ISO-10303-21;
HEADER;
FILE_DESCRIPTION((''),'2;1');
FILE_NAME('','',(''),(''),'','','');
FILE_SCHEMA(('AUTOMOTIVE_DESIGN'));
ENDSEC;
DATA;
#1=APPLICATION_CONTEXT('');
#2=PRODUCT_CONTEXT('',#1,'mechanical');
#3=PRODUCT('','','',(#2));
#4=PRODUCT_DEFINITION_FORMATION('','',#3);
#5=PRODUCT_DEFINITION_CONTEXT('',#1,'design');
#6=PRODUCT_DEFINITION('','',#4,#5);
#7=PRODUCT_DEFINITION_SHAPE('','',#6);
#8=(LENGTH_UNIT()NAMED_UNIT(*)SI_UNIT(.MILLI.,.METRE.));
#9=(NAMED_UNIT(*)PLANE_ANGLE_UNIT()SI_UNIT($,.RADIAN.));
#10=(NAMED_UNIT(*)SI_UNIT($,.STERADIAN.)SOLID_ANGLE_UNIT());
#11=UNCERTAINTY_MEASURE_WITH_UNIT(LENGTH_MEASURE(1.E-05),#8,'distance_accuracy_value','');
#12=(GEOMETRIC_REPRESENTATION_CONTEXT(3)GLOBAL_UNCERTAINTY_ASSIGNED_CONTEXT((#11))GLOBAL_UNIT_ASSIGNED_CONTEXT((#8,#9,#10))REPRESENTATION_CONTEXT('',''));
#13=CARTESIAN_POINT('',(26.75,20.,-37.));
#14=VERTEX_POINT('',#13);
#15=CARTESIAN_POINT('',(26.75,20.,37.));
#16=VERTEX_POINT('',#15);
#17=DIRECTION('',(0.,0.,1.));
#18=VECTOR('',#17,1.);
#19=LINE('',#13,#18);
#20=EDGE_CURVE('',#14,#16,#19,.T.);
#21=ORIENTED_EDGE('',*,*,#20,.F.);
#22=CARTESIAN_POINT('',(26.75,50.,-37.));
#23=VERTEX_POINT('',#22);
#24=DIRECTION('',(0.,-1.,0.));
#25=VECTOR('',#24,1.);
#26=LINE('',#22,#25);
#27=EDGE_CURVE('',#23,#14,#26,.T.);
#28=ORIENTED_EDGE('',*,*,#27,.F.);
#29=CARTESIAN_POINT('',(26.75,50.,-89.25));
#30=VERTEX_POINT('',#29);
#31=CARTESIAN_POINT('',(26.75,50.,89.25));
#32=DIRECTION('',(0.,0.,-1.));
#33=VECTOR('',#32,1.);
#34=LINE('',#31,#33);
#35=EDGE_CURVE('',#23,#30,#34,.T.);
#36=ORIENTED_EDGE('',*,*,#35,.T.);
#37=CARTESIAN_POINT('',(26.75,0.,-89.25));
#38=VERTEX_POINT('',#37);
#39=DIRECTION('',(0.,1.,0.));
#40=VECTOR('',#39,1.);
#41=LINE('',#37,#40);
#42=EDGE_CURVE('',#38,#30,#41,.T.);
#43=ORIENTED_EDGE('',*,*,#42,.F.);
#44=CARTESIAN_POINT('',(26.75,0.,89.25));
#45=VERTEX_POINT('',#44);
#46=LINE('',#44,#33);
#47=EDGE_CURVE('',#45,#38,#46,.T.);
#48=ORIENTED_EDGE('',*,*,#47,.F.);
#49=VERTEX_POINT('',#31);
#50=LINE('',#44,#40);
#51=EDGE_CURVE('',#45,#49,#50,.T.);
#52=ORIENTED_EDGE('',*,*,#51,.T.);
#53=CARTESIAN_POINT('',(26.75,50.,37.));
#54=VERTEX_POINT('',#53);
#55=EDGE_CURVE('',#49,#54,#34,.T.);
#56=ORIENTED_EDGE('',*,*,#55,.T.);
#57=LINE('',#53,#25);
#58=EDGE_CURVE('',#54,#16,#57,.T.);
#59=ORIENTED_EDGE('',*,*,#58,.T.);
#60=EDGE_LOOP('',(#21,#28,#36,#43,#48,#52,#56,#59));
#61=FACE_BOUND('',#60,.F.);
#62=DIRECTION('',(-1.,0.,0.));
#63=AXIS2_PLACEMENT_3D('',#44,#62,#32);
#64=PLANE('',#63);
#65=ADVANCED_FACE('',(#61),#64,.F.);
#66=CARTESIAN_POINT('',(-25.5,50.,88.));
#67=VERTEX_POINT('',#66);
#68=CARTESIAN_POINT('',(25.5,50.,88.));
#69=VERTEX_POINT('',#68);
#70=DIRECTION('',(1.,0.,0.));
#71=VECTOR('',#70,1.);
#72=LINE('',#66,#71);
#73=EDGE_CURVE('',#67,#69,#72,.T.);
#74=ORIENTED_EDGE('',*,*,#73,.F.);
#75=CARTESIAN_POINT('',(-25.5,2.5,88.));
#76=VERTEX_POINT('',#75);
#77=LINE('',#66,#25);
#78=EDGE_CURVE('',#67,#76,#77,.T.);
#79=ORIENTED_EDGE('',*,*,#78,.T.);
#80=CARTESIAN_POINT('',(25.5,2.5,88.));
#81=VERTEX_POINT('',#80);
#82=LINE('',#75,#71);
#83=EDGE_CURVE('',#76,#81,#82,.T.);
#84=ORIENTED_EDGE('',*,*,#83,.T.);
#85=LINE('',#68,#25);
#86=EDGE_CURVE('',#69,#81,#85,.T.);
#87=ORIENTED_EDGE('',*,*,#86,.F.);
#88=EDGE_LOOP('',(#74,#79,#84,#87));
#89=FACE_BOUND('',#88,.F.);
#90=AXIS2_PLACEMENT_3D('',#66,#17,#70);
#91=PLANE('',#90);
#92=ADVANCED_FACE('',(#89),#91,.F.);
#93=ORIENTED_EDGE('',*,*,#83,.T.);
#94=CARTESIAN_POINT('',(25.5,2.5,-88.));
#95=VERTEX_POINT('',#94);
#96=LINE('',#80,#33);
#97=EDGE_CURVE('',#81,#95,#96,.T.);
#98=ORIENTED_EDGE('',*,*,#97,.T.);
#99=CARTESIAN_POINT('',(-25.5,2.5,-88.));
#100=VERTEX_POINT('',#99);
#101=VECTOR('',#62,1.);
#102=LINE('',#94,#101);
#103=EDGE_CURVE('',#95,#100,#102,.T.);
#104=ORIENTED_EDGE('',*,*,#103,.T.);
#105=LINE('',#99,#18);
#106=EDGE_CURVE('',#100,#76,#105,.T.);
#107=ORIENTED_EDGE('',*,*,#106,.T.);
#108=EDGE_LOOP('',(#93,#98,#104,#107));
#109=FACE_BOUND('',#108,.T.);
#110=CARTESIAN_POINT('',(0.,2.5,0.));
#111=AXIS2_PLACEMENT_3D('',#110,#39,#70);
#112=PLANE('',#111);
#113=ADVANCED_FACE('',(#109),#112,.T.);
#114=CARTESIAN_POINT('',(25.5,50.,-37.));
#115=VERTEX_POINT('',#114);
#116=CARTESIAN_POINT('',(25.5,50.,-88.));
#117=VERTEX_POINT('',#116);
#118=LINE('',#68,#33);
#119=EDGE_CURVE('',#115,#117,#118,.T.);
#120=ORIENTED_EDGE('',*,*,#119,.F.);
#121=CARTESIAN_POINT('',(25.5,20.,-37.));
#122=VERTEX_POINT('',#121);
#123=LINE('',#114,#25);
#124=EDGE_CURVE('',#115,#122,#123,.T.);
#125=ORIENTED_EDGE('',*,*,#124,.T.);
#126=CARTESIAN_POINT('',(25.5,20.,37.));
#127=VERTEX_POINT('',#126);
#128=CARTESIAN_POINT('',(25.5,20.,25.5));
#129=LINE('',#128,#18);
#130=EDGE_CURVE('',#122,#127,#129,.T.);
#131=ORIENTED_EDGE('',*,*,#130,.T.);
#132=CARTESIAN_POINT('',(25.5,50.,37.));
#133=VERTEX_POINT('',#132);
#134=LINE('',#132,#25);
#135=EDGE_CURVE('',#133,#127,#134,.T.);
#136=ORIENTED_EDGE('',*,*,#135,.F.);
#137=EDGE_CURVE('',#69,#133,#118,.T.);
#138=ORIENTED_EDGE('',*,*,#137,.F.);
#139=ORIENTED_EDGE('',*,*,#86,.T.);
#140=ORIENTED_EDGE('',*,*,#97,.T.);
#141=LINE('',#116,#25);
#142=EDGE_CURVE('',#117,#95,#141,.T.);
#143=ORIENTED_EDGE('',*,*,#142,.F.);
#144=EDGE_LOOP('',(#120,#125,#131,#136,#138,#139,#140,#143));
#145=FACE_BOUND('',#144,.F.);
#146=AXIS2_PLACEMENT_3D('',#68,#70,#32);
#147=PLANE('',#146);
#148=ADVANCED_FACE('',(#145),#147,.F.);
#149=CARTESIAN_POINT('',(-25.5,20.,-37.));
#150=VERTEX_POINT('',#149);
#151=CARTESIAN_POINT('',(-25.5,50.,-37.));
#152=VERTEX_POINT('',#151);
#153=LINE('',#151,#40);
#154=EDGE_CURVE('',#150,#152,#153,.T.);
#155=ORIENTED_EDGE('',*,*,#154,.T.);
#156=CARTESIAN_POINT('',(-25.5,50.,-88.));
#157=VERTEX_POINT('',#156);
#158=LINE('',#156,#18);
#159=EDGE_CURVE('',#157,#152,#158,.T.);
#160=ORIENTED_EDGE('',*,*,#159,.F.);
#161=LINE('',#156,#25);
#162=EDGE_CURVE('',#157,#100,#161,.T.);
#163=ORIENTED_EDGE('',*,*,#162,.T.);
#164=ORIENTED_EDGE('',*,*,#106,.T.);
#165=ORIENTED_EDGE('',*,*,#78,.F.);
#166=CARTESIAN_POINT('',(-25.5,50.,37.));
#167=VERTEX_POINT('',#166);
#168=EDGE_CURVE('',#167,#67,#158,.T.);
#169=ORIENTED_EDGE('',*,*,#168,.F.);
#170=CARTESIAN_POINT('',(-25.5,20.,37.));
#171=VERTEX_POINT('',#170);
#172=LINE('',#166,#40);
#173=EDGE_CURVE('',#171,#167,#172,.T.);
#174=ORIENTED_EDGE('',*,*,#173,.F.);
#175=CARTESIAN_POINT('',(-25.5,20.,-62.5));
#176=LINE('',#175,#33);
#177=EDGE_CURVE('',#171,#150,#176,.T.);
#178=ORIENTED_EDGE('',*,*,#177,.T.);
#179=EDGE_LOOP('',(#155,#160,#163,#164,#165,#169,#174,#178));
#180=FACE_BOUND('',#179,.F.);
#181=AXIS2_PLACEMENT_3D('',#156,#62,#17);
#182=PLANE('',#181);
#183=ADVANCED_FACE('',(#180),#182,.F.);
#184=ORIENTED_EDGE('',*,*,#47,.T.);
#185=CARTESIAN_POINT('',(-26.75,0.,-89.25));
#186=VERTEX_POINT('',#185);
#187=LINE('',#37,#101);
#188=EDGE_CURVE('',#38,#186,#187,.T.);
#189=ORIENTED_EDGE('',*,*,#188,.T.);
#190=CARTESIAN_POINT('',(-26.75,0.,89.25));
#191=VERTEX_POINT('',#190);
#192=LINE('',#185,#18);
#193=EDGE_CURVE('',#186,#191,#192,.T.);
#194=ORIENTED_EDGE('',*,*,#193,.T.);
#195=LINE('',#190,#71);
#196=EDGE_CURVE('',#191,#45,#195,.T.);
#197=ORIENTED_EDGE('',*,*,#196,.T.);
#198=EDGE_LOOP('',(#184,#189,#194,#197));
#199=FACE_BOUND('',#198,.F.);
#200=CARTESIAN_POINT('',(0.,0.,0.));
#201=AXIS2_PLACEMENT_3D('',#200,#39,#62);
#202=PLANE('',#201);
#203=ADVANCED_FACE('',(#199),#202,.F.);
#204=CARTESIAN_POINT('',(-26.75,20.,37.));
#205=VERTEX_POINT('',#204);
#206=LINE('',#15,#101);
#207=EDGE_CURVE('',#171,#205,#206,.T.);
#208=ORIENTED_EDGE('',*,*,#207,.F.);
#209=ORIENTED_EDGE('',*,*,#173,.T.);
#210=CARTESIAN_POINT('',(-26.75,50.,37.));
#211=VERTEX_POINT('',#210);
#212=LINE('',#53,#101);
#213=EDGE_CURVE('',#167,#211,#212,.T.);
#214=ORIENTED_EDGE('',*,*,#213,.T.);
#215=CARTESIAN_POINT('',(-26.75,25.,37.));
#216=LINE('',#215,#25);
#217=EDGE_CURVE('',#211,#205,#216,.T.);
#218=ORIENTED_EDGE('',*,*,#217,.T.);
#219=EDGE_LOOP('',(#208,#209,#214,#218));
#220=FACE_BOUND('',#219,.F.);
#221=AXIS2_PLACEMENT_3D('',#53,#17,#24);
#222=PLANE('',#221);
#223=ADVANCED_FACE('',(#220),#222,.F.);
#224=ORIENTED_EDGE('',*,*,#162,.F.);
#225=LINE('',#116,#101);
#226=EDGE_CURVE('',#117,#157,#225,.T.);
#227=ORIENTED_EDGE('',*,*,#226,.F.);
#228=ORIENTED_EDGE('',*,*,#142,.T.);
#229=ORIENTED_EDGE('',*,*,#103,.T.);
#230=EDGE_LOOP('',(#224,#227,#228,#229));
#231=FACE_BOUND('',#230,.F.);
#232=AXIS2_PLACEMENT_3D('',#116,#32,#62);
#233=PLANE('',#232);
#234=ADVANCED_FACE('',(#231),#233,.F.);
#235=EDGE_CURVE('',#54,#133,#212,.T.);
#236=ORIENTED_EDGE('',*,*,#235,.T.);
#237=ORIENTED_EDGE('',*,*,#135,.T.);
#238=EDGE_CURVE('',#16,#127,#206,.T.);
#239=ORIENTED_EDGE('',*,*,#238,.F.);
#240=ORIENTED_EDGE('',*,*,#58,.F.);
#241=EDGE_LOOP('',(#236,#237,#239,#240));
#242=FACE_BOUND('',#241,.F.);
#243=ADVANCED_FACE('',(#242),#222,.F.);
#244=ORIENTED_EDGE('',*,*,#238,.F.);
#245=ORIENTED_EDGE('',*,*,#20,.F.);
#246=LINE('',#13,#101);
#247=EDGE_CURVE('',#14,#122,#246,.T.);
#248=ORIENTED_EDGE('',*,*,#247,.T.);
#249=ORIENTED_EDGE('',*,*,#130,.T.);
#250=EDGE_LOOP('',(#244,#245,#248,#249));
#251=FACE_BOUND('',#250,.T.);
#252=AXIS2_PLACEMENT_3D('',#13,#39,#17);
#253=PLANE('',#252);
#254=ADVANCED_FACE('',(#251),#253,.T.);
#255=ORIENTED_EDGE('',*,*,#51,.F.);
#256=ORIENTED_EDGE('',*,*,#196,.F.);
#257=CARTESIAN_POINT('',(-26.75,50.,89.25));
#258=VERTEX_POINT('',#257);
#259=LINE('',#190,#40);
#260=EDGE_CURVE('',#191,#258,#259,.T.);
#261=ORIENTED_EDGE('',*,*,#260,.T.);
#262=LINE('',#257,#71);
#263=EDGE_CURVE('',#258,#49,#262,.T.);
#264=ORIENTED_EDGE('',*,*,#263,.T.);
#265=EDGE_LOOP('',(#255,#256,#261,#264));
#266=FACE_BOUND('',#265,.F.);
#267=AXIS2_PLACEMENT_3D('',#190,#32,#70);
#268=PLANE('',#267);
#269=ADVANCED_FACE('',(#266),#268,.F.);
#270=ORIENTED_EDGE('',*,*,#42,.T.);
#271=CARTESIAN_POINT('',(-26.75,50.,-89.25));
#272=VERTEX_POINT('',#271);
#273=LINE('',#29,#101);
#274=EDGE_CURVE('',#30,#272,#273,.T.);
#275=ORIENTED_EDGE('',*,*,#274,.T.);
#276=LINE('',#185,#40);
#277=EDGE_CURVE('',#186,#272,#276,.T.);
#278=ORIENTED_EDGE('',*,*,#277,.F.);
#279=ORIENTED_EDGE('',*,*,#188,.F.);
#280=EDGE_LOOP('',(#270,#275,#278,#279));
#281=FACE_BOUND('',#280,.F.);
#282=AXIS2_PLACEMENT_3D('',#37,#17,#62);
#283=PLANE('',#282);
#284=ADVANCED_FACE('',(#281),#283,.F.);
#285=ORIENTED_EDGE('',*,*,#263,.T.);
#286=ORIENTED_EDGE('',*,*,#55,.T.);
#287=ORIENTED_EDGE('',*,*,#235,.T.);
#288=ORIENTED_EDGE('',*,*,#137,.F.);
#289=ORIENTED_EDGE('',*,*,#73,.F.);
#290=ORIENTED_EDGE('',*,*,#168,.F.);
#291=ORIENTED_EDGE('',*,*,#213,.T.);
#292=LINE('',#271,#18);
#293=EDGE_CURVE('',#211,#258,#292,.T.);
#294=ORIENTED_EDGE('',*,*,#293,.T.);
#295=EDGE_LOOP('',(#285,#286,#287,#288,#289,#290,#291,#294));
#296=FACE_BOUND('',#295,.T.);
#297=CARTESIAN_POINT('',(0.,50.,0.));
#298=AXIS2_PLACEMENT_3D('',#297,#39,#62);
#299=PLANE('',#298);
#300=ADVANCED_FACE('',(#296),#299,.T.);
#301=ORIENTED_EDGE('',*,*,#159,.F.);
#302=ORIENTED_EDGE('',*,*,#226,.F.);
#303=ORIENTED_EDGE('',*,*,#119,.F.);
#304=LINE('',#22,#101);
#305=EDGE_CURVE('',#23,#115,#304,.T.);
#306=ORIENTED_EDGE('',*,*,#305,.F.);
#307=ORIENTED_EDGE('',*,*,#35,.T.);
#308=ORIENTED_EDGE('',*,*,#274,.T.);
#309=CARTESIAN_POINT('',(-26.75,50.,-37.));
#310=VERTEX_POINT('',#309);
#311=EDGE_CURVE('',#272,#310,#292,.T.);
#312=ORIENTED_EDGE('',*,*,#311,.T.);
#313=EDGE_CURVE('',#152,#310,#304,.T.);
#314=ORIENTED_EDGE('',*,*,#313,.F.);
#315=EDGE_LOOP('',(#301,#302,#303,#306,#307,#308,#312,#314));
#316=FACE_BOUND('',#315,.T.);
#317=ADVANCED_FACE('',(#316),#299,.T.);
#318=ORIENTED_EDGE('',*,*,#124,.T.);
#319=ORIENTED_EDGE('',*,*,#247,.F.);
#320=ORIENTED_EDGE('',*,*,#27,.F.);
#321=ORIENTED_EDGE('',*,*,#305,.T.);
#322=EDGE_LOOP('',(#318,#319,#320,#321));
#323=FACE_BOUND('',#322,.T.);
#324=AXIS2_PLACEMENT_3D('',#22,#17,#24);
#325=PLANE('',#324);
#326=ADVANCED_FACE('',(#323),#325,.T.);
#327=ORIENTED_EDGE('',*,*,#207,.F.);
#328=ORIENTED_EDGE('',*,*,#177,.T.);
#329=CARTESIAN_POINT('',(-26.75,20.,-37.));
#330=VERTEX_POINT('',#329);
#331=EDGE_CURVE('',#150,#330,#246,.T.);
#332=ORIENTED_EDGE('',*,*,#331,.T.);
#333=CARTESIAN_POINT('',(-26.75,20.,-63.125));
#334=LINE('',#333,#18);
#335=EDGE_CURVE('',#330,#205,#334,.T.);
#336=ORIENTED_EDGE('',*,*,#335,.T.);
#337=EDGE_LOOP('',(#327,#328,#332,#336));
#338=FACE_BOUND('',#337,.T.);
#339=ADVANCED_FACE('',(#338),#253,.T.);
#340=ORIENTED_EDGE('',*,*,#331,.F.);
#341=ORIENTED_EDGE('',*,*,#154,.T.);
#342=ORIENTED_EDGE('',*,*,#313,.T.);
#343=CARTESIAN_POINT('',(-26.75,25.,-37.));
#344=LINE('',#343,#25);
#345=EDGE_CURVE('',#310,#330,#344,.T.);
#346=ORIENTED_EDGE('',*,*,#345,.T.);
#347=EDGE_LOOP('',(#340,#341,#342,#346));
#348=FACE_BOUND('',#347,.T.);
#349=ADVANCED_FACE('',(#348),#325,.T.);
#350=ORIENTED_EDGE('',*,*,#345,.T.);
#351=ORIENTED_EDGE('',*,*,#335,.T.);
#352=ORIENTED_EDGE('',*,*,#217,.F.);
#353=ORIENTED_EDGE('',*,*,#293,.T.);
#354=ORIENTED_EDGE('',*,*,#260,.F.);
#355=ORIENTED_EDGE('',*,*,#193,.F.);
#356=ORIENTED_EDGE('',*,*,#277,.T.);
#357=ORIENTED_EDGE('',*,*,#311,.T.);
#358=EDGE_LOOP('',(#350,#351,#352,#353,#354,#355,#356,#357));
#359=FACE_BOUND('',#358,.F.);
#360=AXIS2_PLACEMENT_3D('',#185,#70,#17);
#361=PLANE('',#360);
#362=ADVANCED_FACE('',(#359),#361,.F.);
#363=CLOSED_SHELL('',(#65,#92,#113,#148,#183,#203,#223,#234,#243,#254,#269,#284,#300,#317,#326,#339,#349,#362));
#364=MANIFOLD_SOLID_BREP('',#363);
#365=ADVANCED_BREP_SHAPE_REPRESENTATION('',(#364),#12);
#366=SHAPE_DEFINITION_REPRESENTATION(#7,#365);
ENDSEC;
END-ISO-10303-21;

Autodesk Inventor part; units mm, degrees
ref_plane "YZ Plane" through (0, 0, 0) normal (1, 0, 0) x (0, 1, 0)
ref_plane "XZ Plane" through (0, 0, 0) normal (0, 1, 0) x (-1, 0, 0)
ref_plane "XY Plane" through (0, 0, 0) normal (0, 0, 1) x (1, 0, 0)
sketch "Boceto1" plane through (0, 0, 0) normal (0, 1, 0) x (-1, 0, 0)
  line L0 (26.75, 89.25) -> (-26.75, 89.25)
  line L1 (-26.75, 89.25) -> (-26.75, -89.25)
  line L2 (-26.75, -89.25) -> (26.75, -89.25)
  line L3 (26.75, -89.25) -> (26.75, 89.25)
  line L4 (26.75, 89.25) -> (-26.75, -89.25) construction
  line L5 (-26.75, 89.25) -> (26.75, -89.25) construction
  point P0 (0, 0)
  dimension "d0" = 53.5
  dimension "d1" = 178.5
extrude "Extrusión1" add sketch "Boceto1" along normal blind 50
sketch "Boceto2" plane through (0, 50, 0) normal (0, 1, 0) x (1, 0, 0)
  line L0 (-25.5, -88) -> (25.5, -88)
  line L1 (25.5, -88) -> (25.5, 88)
  line L2 (25.5, 88) -> (-25.5, 88)
  line L3 (-25.5, 88) -> (-25.5, -88)
  line L4 (-25.5, -88) -> (25.5, 88) construction
  line L5 (25.5, -88) -> (-25.5, 88) construction
  point P0 (0, 0)
  dimension "d4" = 51
  dimension "d5" = 176
extrude "Extrusión2" cut sketch "Boceto2" against normal blind 47.5
sketch "Boceto3" plane through (26.75, 0, 89.25) normal (1, 0, 0) x (0, 0, -1)
  line L0 (52.25, 50) -> (52.25, 20)
  line L1 (0, 0) -> (178.5, 0) projected
  line L2 (126.25, 50) -> (126.25, 20)
  line L3 (126.25, 20) -> (52.25, 20)
  line L4 (52.25, 50) -> (126.25, 50)
  point P0 (89.25, 0)
  point P1 (177.25, 50)
  point P2 (1.25, 50)
  dimension "d9" = 30
extrude "Extrusión3" cut sketch "Boceto3" against normal through all
properties part number "Suport motor superior" material "Plástico ABS"
